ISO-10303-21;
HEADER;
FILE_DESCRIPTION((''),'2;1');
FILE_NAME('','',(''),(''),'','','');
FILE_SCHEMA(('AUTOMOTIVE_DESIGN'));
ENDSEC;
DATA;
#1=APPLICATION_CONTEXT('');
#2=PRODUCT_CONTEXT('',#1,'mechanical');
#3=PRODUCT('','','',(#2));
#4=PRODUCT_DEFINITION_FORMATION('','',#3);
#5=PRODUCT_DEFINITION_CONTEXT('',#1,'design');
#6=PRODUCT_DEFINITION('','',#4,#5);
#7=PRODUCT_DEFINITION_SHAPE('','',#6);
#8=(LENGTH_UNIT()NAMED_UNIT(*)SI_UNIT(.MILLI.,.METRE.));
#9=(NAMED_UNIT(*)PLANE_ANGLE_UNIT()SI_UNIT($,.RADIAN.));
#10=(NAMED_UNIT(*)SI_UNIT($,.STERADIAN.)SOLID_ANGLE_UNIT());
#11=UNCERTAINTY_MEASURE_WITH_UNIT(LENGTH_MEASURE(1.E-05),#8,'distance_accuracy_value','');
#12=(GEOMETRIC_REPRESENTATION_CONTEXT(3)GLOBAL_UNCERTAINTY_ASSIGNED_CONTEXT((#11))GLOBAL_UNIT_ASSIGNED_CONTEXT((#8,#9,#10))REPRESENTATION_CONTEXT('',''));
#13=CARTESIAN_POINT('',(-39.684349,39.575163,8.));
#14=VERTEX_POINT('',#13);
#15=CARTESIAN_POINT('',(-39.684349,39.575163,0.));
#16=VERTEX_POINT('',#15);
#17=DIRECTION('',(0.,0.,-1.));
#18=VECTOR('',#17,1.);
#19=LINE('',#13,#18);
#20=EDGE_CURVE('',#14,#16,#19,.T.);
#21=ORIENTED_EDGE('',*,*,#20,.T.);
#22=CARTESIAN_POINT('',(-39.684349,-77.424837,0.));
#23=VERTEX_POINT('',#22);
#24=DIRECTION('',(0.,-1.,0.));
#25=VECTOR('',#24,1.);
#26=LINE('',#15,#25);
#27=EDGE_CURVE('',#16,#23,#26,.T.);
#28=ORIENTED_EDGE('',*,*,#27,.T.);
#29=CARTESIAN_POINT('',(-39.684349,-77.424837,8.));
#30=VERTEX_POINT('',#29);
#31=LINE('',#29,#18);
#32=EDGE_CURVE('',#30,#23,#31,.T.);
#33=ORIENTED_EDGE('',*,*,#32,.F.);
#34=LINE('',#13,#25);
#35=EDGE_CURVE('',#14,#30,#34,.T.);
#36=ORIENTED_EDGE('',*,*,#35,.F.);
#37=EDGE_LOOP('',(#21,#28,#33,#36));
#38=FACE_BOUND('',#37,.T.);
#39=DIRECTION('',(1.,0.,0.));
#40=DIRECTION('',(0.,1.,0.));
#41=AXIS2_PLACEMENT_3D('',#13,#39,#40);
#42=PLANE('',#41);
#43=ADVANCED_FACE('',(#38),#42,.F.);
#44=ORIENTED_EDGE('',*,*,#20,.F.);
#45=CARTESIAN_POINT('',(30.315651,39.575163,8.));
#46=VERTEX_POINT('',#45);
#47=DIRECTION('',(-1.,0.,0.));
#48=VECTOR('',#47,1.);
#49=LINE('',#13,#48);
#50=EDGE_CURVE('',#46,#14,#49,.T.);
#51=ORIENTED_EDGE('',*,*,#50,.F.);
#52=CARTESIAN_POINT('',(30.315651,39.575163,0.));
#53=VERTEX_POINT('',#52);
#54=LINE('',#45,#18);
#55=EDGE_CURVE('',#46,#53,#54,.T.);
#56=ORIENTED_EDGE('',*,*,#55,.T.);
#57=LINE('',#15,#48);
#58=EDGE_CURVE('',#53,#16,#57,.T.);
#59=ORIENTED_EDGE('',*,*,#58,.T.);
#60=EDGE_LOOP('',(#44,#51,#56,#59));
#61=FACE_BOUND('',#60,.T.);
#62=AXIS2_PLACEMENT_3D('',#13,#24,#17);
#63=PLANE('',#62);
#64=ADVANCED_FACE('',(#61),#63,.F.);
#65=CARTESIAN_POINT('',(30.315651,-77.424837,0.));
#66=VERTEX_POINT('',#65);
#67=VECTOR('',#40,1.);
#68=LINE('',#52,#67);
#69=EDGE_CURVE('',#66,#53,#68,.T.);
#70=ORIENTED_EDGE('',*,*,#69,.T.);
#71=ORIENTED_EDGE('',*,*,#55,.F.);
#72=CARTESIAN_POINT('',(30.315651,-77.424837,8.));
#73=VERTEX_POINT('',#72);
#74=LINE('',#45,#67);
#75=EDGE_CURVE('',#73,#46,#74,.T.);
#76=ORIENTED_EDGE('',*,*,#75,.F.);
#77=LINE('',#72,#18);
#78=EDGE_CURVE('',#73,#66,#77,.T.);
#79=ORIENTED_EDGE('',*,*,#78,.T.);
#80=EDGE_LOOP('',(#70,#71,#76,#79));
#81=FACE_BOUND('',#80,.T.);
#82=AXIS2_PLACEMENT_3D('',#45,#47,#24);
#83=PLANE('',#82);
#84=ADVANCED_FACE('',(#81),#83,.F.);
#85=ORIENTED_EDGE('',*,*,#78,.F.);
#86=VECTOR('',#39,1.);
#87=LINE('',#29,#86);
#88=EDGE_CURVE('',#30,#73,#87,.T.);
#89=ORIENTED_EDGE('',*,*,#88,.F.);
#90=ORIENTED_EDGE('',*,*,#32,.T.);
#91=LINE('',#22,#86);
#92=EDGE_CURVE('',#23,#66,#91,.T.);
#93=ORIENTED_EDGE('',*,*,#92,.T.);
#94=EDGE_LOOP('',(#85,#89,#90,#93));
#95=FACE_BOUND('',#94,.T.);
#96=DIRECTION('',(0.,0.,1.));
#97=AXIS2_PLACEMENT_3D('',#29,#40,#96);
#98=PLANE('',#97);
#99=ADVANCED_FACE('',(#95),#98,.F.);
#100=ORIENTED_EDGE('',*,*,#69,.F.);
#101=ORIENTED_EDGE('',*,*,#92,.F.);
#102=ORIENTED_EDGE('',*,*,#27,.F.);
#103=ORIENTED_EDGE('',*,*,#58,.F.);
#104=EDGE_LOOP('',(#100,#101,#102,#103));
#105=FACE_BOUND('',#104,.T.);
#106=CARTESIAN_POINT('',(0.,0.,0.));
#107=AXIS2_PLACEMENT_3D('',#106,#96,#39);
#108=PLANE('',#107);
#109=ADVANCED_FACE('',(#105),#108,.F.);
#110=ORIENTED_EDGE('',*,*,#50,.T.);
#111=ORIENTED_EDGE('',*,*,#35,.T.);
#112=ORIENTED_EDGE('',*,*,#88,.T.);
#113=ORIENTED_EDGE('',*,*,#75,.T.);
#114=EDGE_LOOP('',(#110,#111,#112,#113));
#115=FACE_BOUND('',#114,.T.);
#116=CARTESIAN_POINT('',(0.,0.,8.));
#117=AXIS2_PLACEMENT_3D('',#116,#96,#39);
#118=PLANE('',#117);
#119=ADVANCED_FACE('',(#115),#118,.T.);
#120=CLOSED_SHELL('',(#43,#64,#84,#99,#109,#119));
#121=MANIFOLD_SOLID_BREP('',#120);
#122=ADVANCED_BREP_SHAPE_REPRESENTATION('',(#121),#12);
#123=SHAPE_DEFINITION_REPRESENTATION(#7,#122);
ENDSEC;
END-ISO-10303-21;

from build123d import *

# Parameters (mm, degrees)
SKETCH_1_W      = 70
SKETCH_1_H      = 117
EXTRUDE_1_DEPTH = 8


with BuildPart() as part:
    # 스케치1 → 보스-돌출1 (new body)
    with BuildSketch(Plane.XY):
        with Locations((-4.684349192, -18.924836601)):
            Rectangle(SKETCH_1_W, SKETCH_1_H)
    extrude(amount=EXTRUDE_1_DEPTH)


solid = part.part
